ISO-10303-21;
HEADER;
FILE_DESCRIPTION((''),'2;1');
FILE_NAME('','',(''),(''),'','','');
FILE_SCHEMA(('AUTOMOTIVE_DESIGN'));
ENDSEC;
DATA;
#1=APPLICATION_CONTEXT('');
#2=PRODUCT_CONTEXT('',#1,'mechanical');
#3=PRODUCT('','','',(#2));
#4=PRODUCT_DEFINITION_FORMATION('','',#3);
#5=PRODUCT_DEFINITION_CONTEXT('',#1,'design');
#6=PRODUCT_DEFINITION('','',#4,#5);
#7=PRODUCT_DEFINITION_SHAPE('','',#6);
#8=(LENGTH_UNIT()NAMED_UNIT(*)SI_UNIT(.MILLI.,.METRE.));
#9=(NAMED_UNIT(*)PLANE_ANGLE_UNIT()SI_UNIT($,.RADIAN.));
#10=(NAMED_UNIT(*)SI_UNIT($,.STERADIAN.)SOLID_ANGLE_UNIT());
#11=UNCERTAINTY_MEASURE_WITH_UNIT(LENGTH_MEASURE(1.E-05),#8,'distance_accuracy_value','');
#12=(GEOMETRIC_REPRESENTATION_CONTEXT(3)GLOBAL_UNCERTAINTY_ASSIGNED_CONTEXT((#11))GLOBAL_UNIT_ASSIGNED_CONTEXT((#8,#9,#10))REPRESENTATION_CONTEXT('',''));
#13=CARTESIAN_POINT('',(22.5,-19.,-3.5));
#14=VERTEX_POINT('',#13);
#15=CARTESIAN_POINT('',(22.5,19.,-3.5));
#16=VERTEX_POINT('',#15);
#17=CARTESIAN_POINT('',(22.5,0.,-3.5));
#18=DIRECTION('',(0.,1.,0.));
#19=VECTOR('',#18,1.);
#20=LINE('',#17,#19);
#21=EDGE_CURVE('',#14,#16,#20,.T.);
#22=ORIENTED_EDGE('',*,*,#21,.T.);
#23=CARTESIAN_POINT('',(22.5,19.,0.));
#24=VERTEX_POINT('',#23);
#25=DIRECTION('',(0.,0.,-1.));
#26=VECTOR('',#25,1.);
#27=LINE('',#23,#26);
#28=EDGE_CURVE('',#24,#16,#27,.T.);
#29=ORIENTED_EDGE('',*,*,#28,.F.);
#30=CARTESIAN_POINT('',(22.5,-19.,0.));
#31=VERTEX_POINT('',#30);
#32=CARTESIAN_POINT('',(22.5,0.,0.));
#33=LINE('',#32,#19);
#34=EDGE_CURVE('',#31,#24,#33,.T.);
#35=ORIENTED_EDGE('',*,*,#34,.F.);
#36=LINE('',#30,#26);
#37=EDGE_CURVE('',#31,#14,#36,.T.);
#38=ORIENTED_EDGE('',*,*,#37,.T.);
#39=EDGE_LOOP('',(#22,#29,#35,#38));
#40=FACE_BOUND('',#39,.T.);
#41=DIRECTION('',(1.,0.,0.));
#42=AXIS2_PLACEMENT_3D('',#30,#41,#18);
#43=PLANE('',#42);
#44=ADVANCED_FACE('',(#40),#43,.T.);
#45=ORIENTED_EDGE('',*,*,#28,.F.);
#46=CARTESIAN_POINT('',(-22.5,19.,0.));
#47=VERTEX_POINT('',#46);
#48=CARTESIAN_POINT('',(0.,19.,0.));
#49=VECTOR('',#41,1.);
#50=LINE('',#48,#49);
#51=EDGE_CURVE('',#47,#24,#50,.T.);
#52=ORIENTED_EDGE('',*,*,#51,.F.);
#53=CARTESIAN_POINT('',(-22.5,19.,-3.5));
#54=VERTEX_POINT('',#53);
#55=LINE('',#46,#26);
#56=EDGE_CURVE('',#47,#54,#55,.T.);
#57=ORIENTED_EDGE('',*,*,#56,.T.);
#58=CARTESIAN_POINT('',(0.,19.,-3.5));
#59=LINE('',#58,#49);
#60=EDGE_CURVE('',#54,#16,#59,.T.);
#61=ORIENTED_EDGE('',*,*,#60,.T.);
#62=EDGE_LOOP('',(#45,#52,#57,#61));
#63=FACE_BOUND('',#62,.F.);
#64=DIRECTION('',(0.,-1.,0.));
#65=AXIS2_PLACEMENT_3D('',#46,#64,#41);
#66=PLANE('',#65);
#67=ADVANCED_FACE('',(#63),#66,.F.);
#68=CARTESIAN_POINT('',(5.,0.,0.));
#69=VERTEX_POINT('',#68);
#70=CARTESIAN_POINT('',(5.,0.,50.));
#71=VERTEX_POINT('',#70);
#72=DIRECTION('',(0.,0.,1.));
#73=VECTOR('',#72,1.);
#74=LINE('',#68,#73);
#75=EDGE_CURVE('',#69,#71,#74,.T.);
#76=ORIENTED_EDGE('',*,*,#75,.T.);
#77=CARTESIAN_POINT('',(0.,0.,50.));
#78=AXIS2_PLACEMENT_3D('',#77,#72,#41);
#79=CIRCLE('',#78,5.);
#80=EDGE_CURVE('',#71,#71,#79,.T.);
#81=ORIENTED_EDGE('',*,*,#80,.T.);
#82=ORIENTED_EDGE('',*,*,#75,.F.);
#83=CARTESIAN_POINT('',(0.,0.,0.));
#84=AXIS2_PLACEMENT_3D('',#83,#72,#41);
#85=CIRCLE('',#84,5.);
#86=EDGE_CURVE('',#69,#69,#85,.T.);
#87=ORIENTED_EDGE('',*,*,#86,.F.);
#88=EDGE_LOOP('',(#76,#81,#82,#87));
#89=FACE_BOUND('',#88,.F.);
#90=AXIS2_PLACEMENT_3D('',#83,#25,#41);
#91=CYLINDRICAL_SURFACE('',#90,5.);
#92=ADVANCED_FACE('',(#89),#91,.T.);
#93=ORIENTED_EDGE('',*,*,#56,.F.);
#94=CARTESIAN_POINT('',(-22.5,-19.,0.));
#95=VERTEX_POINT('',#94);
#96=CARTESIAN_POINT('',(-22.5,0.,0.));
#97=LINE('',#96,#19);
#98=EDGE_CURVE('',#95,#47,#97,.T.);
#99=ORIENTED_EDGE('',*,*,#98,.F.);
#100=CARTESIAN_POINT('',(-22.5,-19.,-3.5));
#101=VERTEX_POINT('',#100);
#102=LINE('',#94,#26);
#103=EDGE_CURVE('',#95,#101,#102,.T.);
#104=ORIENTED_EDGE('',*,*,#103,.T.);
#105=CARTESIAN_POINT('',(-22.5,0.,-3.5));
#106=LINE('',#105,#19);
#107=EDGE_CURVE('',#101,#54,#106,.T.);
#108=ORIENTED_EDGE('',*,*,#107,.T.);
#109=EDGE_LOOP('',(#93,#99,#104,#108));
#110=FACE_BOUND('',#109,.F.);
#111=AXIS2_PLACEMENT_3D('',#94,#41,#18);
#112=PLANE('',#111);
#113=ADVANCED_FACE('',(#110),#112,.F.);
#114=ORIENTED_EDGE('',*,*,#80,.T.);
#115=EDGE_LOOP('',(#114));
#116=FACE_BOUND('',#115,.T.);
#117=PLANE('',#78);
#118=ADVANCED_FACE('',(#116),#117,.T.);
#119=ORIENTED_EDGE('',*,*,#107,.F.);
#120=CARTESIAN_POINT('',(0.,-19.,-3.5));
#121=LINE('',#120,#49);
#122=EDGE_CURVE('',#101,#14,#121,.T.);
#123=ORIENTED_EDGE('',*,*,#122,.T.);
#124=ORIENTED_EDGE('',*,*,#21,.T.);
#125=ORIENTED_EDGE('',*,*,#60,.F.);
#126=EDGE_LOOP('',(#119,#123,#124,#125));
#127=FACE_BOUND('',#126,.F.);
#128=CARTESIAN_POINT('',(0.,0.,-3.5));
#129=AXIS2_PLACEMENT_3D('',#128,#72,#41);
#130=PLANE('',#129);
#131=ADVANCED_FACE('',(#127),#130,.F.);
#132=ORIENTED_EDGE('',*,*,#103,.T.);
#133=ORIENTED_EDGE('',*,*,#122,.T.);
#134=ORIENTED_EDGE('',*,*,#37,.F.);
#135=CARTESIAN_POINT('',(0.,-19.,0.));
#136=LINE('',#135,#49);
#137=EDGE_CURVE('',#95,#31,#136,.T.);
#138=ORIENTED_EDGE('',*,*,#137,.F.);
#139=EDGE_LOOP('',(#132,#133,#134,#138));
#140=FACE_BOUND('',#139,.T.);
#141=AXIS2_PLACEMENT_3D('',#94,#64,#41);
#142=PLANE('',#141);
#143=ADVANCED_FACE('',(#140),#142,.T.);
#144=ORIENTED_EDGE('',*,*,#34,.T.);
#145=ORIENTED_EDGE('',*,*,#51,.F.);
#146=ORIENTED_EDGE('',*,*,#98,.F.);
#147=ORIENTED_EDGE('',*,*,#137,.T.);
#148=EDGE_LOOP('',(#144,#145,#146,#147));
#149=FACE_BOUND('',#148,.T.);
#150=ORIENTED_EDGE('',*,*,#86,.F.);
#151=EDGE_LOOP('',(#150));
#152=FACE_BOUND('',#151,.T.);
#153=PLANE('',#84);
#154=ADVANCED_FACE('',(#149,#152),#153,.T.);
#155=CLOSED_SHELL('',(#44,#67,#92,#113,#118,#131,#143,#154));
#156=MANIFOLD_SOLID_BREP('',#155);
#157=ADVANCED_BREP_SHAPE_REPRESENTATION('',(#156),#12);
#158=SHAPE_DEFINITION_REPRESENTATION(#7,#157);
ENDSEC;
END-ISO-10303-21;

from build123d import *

# Parameters (mm, degrees)
F0_W     = 45
F0_H     = 38
F1_DEPTH = 3.5
F2_R     = 5
F3_DEPTH = 50


with BuildPart() as f1:
    # F0 (on Top) → F1 (new body)
    with BuildSketch(Plane.XY):
        Rectangle(F0_W, F0_H)
    extrude(amount=-F1_DEPTH)

    # F2 (on face) → F3 (join)
    with BuildSketch(Plane.XY):
        Circle(F2_R)
    extrude(amount=F3_DEPTH)


solid = f1.part
